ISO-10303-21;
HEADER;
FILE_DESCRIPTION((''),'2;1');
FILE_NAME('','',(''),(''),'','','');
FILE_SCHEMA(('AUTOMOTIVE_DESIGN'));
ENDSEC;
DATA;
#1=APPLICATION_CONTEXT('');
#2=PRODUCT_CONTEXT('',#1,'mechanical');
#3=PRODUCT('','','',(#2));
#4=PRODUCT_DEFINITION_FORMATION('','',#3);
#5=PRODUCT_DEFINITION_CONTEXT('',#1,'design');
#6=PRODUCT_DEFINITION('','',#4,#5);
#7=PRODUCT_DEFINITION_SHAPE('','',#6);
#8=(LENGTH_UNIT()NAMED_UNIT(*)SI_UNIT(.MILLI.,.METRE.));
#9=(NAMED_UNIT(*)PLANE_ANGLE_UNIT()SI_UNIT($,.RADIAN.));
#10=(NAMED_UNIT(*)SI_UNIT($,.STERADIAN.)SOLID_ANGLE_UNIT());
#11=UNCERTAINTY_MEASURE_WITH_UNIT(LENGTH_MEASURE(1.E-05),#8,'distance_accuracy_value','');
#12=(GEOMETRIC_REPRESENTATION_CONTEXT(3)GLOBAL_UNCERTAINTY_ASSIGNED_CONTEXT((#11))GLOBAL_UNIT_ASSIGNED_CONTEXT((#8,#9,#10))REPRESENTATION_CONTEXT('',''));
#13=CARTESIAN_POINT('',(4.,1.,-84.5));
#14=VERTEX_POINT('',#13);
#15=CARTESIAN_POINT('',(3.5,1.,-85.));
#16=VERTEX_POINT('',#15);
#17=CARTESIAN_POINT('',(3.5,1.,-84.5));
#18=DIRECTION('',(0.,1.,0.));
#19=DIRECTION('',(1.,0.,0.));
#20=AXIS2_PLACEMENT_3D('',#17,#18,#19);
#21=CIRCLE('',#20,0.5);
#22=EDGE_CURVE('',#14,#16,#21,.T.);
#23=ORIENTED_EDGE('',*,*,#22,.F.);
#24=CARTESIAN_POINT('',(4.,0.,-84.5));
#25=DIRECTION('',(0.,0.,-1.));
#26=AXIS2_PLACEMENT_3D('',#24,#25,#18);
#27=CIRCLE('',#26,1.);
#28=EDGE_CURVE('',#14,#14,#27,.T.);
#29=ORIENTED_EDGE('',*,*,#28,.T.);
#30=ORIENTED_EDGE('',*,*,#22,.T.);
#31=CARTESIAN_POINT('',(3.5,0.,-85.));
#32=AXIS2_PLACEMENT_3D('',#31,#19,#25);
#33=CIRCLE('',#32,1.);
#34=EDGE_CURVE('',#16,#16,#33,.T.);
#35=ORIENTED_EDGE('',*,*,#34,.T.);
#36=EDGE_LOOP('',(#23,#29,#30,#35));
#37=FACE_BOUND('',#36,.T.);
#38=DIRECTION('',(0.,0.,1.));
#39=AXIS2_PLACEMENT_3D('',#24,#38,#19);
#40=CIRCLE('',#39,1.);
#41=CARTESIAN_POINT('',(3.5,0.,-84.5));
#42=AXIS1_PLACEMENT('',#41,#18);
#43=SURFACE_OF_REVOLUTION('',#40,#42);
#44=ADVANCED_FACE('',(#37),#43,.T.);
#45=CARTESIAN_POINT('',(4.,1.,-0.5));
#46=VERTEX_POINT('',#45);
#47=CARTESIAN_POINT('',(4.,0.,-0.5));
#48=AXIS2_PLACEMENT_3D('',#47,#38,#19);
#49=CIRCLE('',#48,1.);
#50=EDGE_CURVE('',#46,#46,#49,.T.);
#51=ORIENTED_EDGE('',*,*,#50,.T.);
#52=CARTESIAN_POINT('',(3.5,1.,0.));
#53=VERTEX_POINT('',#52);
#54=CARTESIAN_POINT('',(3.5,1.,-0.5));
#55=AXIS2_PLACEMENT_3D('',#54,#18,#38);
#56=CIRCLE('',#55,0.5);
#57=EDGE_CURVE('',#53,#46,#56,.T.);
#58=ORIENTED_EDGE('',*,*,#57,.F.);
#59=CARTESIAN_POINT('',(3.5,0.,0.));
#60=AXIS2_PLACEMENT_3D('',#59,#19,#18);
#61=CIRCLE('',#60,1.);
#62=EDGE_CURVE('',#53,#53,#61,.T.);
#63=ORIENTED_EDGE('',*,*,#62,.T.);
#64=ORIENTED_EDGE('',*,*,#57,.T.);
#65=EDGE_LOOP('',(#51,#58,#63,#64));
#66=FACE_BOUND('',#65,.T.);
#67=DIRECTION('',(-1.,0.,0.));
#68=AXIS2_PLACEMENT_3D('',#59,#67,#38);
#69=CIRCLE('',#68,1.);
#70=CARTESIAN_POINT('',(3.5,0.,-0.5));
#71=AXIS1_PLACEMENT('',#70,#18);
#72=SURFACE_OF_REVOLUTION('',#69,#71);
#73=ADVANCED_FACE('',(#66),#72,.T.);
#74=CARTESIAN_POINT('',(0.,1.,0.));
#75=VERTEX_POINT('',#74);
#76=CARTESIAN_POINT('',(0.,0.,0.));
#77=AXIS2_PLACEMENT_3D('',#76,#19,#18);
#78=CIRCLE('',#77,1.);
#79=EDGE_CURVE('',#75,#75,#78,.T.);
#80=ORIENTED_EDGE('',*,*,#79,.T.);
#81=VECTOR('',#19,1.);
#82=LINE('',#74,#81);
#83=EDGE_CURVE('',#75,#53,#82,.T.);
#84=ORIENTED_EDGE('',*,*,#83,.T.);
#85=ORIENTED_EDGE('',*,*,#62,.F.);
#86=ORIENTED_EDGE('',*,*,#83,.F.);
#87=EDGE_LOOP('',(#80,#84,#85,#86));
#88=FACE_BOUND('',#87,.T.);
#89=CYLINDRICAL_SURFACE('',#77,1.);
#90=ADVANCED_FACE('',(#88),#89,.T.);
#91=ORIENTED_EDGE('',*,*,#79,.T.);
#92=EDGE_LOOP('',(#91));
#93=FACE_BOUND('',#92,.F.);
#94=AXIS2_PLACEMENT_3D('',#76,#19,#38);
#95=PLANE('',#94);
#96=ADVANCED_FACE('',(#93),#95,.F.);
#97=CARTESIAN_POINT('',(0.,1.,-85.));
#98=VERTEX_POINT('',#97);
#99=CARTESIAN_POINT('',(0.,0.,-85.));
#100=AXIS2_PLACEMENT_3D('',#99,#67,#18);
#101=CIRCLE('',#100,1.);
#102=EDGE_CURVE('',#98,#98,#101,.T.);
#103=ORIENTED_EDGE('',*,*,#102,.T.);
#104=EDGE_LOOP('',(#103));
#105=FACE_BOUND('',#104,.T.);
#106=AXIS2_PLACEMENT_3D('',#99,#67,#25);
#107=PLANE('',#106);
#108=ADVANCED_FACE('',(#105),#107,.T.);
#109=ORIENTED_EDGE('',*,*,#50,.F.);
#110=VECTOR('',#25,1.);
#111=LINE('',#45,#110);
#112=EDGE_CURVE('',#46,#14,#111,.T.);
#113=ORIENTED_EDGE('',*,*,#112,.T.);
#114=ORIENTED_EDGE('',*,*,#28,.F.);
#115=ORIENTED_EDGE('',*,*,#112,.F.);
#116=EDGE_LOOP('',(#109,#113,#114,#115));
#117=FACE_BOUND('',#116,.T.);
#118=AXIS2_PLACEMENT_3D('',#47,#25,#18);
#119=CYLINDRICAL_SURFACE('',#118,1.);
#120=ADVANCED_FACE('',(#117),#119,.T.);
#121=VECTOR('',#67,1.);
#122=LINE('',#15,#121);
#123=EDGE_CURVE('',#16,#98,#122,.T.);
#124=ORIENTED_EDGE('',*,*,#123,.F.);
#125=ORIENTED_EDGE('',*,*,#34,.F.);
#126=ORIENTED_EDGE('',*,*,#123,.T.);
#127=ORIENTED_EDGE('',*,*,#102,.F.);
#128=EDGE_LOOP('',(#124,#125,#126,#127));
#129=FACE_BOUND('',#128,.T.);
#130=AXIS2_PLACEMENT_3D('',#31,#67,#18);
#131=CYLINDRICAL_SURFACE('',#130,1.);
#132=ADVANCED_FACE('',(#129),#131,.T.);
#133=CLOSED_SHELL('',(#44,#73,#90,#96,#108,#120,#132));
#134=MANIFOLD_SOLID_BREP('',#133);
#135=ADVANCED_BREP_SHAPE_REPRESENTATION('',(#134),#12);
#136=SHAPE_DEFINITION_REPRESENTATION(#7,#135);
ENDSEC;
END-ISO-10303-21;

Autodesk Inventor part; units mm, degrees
ref_plane "YZ Plane" through (0, 0, 0) normal (1, 0, 0) x (0, 1, 0)
ref_plane "XZ Plane" through (0, 0, 0) normal (0, 1, 0) x (-1, 0, 0)
ref_plane "XY Plane" through (0, 0, 0) normal (0, 0, 1) x (1, 0, 0)
sketch "Sketch1" plane through (0, 0, 0) normal (1, 0, 0) x (0, 1, 0)
  circle A0 centre (0, 0) radius 1
  dimension "d0" = 2
sketch "Sketch2" plane through (0, 0, 0) normal (0, 1, 0) x (-1, 0, 0)
  line L0 (0, 0) -> (-3.5, 0)
  line L1 (-4, -0.5) -> (-4, -84.5)
  line L2 (-3.5, -85) -> (0, -85)
  arc A0 (-3.5, 0) -> (-4, -0.5) centre (-3.5, -0.5) ccw
  arc A1 (-4, -84.5) -> (-3.5, -85) centre (-3.5, -84.5) ccw
  point P0 (-4, 0)
  point P1 (-4, -85)
  dimension "d1" = 4
  dimension "d2" = 85
  dimension "d3" = 0.5
sweep "Sweep1" add profiles "Sketch1" path "Sketch2"
properties part number "Styrepind" material "Steel"
